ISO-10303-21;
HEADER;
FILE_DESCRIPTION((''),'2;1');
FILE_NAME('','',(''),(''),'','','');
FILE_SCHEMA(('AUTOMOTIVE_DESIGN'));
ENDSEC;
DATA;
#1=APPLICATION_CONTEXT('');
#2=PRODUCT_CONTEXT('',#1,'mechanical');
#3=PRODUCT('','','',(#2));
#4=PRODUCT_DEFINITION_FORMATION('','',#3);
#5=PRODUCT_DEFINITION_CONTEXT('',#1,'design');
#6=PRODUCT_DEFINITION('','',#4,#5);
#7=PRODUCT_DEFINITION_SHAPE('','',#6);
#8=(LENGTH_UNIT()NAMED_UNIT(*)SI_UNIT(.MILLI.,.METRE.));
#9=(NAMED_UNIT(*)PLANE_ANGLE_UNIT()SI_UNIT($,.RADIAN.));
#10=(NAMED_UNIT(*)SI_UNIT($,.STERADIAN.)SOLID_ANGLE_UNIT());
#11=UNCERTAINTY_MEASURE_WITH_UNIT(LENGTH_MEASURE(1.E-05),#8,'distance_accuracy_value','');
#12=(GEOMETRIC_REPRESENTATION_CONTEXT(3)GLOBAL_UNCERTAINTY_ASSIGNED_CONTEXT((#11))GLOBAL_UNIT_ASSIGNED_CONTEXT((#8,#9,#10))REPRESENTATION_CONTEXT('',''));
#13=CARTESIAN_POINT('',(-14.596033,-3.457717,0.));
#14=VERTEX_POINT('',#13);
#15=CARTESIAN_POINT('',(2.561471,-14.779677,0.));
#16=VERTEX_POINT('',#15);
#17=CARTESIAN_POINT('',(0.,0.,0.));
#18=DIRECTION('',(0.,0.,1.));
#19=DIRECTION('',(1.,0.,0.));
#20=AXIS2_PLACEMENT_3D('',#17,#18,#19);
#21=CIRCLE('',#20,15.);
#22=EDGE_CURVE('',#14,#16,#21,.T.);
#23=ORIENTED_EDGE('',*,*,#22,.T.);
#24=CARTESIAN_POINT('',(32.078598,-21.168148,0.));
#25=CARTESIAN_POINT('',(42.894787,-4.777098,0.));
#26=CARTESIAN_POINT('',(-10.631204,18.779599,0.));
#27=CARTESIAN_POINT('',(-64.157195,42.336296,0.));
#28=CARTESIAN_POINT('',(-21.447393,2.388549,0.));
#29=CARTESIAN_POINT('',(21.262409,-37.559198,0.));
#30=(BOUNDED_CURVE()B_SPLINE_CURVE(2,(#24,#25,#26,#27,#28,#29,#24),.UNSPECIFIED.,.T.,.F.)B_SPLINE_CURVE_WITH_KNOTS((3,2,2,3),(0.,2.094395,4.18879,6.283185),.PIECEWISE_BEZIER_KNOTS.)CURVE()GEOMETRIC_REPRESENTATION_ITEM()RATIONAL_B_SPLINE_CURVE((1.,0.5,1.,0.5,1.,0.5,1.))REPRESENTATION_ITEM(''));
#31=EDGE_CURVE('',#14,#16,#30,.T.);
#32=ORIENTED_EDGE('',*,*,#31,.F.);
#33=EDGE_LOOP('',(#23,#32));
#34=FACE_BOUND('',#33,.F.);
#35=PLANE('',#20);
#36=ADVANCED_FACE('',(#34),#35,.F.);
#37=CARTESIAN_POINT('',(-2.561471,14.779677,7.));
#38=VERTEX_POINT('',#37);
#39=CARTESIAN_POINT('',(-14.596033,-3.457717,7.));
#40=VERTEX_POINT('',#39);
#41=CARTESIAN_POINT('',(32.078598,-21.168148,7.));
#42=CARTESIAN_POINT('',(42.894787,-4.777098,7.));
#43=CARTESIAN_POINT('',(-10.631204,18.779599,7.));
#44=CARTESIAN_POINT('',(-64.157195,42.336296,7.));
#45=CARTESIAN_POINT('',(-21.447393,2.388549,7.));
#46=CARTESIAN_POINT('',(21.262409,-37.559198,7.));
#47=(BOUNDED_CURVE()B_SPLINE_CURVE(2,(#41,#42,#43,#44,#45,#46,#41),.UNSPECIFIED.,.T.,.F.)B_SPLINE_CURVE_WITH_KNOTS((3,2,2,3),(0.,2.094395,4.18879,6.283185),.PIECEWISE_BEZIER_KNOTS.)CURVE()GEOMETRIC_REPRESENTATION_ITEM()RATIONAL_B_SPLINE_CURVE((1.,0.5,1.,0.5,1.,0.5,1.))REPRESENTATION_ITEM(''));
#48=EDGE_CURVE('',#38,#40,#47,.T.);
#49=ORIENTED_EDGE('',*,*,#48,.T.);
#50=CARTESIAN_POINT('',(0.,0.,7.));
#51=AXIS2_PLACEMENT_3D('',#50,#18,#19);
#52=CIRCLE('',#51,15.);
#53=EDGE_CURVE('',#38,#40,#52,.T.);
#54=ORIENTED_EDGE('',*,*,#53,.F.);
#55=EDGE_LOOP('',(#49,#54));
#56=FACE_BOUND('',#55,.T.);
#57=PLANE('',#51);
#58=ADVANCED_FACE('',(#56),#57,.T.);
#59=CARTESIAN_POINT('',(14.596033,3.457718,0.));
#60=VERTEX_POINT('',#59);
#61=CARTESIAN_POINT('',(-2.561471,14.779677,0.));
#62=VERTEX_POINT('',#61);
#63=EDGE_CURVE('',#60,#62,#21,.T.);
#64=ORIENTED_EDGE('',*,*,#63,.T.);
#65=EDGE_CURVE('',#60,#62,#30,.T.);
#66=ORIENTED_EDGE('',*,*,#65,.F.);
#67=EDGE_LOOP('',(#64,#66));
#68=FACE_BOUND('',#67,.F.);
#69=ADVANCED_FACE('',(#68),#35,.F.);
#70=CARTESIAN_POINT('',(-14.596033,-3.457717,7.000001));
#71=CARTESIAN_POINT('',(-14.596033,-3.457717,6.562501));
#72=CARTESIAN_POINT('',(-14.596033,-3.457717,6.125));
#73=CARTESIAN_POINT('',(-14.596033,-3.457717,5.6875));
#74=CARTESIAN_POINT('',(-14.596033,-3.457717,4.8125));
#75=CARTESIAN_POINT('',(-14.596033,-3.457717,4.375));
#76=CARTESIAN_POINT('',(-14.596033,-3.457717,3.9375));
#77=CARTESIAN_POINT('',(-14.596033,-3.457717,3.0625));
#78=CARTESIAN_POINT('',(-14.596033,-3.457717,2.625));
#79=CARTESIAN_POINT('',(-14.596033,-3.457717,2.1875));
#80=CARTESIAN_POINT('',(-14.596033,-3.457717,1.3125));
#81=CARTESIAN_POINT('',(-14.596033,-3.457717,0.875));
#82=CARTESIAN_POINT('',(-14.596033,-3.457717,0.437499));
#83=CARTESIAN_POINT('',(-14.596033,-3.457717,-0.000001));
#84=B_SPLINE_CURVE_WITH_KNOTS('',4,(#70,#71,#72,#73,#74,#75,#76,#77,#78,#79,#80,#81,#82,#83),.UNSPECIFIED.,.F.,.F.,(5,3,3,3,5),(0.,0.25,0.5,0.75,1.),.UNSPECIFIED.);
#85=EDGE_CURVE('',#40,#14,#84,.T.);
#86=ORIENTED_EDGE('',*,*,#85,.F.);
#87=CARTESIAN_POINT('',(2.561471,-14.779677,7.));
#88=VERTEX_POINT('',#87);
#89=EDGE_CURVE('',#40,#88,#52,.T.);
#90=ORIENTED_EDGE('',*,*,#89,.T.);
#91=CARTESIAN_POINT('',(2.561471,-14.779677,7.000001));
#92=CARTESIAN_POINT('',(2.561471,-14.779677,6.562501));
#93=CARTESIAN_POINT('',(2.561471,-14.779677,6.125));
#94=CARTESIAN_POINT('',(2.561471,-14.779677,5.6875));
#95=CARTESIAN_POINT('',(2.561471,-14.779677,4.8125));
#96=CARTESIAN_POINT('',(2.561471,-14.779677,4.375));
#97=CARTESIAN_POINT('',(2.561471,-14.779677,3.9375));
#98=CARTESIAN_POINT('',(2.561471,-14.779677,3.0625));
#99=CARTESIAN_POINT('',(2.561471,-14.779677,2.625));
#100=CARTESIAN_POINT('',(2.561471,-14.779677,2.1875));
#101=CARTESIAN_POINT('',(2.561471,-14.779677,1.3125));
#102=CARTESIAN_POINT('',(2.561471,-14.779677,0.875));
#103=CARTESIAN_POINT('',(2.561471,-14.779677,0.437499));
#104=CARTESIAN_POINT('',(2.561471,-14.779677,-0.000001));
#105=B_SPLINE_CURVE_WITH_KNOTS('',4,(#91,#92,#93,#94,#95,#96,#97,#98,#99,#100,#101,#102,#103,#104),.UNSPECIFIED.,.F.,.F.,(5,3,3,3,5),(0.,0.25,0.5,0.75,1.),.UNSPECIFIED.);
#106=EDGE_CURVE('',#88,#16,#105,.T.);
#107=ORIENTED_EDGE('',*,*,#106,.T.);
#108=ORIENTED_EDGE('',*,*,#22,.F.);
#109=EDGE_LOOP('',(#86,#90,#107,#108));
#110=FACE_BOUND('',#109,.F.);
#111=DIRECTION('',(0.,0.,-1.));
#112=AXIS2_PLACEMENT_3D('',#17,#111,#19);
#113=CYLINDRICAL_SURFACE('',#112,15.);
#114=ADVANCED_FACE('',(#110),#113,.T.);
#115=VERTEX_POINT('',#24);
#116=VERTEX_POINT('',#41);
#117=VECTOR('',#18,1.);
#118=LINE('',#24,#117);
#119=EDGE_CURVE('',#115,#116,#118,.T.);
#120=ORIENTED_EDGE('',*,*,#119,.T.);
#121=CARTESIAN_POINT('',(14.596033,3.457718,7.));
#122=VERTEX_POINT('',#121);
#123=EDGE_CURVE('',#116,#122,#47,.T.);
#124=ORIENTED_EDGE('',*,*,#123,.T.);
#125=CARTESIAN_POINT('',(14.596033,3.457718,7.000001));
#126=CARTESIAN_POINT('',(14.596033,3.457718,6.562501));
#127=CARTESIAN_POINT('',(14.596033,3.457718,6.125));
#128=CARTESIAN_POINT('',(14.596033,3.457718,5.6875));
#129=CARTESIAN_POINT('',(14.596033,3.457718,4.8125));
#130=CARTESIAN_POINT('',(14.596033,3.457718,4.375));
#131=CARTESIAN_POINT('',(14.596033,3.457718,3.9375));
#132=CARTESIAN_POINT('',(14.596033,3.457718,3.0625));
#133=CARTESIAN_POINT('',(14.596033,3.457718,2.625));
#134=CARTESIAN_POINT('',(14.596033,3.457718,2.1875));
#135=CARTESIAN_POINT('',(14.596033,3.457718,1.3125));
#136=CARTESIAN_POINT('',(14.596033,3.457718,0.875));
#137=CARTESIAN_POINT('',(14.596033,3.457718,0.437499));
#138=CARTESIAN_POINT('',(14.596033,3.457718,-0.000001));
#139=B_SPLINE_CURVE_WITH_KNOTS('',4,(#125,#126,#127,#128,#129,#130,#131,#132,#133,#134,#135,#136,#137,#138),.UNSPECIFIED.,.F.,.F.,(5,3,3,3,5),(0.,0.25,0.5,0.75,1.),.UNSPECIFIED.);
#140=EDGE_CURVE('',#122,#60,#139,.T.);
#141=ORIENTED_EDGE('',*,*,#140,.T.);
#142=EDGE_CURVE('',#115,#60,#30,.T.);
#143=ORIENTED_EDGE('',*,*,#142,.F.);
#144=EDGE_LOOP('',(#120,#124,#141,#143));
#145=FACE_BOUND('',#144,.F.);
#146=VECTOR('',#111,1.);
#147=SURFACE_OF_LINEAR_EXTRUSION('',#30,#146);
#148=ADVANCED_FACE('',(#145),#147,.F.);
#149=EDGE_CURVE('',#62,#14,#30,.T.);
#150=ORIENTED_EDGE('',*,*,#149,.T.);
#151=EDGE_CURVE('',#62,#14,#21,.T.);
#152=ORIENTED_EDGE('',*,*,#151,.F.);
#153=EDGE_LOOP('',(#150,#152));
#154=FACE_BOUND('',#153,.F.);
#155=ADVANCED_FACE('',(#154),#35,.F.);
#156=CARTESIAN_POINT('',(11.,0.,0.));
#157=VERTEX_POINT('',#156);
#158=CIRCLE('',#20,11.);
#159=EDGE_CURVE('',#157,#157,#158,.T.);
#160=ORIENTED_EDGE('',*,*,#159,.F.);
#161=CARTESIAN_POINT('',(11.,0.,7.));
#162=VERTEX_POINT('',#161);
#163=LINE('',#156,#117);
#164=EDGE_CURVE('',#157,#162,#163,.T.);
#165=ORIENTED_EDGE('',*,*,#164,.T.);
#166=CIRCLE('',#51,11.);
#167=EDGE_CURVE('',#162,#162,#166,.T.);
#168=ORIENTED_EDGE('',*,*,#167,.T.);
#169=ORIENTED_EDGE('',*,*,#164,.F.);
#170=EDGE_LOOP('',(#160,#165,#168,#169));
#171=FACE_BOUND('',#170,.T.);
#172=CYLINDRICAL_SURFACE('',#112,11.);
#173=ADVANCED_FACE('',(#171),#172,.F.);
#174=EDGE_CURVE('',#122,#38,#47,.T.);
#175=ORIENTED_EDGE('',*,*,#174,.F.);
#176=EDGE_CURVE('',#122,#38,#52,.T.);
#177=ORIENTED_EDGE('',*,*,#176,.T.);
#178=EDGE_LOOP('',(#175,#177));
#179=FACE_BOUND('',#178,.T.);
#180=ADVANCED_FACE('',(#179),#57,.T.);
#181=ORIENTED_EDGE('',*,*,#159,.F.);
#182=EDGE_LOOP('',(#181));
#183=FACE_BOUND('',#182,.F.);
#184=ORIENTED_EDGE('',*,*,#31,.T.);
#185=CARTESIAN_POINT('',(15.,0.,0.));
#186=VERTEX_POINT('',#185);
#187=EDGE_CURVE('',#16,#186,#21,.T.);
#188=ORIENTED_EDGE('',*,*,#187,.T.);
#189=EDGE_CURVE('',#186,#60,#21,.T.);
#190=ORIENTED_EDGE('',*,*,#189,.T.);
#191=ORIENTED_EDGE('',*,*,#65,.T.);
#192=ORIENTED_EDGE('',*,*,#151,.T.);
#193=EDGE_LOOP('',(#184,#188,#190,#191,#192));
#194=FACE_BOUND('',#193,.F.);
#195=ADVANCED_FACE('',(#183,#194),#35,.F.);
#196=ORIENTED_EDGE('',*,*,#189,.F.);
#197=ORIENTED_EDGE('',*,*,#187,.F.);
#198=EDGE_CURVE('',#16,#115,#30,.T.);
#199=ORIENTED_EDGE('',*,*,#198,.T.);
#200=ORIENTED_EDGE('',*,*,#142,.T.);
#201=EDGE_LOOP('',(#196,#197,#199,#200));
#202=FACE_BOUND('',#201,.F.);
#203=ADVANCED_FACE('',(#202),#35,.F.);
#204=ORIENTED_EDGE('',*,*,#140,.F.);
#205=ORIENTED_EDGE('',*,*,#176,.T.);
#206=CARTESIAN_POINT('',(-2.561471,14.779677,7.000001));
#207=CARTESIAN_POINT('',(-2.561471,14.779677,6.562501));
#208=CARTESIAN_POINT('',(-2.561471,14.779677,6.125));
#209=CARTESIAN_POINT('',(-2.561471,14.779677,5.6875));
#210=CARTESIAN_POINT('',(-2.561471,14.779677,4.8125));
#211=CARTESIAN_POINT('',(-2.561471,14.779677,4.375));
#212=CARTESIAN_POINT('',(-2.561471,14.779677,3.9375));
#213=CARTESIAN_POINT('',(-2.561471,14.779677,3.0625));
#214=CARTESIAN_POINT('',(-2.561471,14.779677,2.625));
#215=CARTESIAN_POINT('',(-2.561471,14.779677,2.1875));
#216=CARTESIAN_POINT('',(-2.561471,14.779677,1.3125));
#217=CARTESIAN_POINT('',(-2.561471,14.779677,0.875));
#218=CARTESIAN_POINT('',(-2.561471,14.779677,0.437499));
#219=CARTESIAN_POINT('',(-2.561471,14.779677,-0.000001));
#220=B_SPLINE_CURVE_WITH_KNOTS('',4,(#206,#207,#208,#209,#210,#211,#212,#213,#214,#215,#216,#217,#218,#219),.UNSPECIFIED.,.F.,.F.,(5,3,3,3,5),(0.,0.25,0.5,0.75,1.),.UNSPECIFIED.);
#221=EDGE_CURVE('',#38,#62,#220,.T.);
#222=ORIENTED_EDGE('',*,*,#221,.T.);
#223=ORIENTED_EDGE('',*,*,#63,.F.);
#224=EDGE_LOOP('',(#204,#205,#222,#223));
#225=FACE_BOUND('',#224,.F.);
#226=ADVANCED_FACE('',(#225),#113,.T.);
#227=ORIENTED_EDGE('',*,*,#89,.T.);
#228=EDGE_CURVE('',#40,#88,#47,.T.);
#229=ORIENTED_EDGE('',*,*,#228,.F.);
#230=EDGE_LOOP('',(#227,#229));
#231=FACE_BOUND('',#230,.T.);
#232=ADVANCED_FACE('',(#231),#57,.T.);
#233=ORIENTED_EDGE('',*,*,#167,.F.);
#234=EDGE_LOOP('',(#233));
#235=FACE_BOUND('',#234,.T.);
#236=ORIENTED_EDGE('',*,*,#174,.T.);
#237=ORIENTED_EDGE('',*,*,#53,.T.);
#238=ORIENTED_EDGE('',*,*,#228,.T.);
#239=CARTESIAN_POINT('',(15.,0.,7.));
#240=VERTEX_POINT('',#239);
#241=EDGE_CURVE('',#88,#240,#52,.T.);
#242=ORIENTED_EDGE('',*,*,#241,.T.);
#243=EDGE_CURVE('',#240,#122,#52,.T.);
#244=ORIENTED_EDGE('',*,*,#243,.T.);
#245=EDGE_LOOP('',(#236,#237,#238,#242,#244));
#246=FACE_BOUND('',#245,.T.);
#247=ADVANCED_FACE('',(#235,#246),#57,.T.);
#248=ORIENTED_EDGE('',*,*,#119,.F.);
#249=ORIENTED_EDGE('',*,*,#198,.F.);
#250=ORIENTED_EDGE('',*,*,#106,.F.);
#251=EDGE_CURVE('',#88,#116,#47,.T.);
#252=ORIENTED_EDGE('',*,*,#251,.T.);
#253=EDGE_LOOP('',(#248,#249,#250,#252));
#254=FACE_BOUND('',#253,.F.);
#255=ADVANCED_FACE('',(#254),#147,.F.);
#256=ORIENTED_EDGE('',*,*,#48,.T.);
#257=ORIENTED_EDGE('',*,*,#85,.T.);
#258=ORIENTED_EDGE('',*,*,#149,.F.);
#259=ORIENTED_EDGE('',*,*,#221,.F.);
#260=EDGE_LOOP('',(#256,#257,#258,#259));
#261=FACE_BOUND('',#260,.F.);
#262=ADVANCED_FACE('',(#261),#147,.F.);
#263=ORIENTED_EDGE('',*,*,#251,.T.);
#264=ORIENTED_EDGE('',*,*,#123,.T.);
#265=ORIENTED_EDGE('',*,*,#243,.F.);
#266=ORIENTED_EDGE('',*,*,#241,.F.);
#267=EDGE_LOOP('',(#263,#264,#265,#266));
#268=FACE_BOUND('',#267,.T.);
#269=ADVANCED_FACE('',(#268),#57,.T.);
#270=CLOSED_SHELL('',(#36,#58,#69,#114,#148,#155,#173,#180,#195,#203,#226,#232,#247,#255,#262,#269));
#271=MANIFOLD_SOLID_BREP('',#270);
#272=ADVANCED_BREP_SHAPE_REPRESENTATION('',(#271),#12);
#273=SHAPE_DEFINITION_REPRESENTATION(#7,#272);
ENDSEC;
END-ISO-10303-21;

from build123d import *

# Parameters (mm, degrees)
F0_R     = 15
F0_R_2   = 11
F1_DEPTH = 7
F3_DEPTH = 7
F4_DEPTH = 25.4


with BuildPart() as f1:
    # F0 (on Top) → F1 (new body)
    with BuildSketch(Plane.XY):
        Circle(F0_R)
        Circle(F0_R_2, mode=Mode.SUBTRACT)
    extrude(amount=F1_DEPTH)

    # F2 (on Top) → F3 (join)
    with BuildSketch(Plane.XY):
        with BuildLine():
            add(Edge.make_bspline(
                [(32.078598, -21.168148), (42.894787, -4.777098), (-10.631204, 18.779599), (-64.157195, 42.336296), (-21.447393, 2.388549), (21.262409, -37.559198), (32.078598, -21.168148)],
                knots=[0, 0, 0, 2.094395, 2.094395, 4.18879, 4.18879, 6.283185, 6.283185, 6.283185], degree=2, weights=[1, 0.5, 1, 0.5, 1, 0.5, 1]))
        make_face()
    extrude(amount=F3_DEPTH)

    # F0 (on Top) → F4 (cut)
    with BuildSketch(Plane.XY):
        Circle(F0_R_2)
    extrude(amount=F4_DEPTH, mode=Mode.SUBTRACT)


solid = f1.part
